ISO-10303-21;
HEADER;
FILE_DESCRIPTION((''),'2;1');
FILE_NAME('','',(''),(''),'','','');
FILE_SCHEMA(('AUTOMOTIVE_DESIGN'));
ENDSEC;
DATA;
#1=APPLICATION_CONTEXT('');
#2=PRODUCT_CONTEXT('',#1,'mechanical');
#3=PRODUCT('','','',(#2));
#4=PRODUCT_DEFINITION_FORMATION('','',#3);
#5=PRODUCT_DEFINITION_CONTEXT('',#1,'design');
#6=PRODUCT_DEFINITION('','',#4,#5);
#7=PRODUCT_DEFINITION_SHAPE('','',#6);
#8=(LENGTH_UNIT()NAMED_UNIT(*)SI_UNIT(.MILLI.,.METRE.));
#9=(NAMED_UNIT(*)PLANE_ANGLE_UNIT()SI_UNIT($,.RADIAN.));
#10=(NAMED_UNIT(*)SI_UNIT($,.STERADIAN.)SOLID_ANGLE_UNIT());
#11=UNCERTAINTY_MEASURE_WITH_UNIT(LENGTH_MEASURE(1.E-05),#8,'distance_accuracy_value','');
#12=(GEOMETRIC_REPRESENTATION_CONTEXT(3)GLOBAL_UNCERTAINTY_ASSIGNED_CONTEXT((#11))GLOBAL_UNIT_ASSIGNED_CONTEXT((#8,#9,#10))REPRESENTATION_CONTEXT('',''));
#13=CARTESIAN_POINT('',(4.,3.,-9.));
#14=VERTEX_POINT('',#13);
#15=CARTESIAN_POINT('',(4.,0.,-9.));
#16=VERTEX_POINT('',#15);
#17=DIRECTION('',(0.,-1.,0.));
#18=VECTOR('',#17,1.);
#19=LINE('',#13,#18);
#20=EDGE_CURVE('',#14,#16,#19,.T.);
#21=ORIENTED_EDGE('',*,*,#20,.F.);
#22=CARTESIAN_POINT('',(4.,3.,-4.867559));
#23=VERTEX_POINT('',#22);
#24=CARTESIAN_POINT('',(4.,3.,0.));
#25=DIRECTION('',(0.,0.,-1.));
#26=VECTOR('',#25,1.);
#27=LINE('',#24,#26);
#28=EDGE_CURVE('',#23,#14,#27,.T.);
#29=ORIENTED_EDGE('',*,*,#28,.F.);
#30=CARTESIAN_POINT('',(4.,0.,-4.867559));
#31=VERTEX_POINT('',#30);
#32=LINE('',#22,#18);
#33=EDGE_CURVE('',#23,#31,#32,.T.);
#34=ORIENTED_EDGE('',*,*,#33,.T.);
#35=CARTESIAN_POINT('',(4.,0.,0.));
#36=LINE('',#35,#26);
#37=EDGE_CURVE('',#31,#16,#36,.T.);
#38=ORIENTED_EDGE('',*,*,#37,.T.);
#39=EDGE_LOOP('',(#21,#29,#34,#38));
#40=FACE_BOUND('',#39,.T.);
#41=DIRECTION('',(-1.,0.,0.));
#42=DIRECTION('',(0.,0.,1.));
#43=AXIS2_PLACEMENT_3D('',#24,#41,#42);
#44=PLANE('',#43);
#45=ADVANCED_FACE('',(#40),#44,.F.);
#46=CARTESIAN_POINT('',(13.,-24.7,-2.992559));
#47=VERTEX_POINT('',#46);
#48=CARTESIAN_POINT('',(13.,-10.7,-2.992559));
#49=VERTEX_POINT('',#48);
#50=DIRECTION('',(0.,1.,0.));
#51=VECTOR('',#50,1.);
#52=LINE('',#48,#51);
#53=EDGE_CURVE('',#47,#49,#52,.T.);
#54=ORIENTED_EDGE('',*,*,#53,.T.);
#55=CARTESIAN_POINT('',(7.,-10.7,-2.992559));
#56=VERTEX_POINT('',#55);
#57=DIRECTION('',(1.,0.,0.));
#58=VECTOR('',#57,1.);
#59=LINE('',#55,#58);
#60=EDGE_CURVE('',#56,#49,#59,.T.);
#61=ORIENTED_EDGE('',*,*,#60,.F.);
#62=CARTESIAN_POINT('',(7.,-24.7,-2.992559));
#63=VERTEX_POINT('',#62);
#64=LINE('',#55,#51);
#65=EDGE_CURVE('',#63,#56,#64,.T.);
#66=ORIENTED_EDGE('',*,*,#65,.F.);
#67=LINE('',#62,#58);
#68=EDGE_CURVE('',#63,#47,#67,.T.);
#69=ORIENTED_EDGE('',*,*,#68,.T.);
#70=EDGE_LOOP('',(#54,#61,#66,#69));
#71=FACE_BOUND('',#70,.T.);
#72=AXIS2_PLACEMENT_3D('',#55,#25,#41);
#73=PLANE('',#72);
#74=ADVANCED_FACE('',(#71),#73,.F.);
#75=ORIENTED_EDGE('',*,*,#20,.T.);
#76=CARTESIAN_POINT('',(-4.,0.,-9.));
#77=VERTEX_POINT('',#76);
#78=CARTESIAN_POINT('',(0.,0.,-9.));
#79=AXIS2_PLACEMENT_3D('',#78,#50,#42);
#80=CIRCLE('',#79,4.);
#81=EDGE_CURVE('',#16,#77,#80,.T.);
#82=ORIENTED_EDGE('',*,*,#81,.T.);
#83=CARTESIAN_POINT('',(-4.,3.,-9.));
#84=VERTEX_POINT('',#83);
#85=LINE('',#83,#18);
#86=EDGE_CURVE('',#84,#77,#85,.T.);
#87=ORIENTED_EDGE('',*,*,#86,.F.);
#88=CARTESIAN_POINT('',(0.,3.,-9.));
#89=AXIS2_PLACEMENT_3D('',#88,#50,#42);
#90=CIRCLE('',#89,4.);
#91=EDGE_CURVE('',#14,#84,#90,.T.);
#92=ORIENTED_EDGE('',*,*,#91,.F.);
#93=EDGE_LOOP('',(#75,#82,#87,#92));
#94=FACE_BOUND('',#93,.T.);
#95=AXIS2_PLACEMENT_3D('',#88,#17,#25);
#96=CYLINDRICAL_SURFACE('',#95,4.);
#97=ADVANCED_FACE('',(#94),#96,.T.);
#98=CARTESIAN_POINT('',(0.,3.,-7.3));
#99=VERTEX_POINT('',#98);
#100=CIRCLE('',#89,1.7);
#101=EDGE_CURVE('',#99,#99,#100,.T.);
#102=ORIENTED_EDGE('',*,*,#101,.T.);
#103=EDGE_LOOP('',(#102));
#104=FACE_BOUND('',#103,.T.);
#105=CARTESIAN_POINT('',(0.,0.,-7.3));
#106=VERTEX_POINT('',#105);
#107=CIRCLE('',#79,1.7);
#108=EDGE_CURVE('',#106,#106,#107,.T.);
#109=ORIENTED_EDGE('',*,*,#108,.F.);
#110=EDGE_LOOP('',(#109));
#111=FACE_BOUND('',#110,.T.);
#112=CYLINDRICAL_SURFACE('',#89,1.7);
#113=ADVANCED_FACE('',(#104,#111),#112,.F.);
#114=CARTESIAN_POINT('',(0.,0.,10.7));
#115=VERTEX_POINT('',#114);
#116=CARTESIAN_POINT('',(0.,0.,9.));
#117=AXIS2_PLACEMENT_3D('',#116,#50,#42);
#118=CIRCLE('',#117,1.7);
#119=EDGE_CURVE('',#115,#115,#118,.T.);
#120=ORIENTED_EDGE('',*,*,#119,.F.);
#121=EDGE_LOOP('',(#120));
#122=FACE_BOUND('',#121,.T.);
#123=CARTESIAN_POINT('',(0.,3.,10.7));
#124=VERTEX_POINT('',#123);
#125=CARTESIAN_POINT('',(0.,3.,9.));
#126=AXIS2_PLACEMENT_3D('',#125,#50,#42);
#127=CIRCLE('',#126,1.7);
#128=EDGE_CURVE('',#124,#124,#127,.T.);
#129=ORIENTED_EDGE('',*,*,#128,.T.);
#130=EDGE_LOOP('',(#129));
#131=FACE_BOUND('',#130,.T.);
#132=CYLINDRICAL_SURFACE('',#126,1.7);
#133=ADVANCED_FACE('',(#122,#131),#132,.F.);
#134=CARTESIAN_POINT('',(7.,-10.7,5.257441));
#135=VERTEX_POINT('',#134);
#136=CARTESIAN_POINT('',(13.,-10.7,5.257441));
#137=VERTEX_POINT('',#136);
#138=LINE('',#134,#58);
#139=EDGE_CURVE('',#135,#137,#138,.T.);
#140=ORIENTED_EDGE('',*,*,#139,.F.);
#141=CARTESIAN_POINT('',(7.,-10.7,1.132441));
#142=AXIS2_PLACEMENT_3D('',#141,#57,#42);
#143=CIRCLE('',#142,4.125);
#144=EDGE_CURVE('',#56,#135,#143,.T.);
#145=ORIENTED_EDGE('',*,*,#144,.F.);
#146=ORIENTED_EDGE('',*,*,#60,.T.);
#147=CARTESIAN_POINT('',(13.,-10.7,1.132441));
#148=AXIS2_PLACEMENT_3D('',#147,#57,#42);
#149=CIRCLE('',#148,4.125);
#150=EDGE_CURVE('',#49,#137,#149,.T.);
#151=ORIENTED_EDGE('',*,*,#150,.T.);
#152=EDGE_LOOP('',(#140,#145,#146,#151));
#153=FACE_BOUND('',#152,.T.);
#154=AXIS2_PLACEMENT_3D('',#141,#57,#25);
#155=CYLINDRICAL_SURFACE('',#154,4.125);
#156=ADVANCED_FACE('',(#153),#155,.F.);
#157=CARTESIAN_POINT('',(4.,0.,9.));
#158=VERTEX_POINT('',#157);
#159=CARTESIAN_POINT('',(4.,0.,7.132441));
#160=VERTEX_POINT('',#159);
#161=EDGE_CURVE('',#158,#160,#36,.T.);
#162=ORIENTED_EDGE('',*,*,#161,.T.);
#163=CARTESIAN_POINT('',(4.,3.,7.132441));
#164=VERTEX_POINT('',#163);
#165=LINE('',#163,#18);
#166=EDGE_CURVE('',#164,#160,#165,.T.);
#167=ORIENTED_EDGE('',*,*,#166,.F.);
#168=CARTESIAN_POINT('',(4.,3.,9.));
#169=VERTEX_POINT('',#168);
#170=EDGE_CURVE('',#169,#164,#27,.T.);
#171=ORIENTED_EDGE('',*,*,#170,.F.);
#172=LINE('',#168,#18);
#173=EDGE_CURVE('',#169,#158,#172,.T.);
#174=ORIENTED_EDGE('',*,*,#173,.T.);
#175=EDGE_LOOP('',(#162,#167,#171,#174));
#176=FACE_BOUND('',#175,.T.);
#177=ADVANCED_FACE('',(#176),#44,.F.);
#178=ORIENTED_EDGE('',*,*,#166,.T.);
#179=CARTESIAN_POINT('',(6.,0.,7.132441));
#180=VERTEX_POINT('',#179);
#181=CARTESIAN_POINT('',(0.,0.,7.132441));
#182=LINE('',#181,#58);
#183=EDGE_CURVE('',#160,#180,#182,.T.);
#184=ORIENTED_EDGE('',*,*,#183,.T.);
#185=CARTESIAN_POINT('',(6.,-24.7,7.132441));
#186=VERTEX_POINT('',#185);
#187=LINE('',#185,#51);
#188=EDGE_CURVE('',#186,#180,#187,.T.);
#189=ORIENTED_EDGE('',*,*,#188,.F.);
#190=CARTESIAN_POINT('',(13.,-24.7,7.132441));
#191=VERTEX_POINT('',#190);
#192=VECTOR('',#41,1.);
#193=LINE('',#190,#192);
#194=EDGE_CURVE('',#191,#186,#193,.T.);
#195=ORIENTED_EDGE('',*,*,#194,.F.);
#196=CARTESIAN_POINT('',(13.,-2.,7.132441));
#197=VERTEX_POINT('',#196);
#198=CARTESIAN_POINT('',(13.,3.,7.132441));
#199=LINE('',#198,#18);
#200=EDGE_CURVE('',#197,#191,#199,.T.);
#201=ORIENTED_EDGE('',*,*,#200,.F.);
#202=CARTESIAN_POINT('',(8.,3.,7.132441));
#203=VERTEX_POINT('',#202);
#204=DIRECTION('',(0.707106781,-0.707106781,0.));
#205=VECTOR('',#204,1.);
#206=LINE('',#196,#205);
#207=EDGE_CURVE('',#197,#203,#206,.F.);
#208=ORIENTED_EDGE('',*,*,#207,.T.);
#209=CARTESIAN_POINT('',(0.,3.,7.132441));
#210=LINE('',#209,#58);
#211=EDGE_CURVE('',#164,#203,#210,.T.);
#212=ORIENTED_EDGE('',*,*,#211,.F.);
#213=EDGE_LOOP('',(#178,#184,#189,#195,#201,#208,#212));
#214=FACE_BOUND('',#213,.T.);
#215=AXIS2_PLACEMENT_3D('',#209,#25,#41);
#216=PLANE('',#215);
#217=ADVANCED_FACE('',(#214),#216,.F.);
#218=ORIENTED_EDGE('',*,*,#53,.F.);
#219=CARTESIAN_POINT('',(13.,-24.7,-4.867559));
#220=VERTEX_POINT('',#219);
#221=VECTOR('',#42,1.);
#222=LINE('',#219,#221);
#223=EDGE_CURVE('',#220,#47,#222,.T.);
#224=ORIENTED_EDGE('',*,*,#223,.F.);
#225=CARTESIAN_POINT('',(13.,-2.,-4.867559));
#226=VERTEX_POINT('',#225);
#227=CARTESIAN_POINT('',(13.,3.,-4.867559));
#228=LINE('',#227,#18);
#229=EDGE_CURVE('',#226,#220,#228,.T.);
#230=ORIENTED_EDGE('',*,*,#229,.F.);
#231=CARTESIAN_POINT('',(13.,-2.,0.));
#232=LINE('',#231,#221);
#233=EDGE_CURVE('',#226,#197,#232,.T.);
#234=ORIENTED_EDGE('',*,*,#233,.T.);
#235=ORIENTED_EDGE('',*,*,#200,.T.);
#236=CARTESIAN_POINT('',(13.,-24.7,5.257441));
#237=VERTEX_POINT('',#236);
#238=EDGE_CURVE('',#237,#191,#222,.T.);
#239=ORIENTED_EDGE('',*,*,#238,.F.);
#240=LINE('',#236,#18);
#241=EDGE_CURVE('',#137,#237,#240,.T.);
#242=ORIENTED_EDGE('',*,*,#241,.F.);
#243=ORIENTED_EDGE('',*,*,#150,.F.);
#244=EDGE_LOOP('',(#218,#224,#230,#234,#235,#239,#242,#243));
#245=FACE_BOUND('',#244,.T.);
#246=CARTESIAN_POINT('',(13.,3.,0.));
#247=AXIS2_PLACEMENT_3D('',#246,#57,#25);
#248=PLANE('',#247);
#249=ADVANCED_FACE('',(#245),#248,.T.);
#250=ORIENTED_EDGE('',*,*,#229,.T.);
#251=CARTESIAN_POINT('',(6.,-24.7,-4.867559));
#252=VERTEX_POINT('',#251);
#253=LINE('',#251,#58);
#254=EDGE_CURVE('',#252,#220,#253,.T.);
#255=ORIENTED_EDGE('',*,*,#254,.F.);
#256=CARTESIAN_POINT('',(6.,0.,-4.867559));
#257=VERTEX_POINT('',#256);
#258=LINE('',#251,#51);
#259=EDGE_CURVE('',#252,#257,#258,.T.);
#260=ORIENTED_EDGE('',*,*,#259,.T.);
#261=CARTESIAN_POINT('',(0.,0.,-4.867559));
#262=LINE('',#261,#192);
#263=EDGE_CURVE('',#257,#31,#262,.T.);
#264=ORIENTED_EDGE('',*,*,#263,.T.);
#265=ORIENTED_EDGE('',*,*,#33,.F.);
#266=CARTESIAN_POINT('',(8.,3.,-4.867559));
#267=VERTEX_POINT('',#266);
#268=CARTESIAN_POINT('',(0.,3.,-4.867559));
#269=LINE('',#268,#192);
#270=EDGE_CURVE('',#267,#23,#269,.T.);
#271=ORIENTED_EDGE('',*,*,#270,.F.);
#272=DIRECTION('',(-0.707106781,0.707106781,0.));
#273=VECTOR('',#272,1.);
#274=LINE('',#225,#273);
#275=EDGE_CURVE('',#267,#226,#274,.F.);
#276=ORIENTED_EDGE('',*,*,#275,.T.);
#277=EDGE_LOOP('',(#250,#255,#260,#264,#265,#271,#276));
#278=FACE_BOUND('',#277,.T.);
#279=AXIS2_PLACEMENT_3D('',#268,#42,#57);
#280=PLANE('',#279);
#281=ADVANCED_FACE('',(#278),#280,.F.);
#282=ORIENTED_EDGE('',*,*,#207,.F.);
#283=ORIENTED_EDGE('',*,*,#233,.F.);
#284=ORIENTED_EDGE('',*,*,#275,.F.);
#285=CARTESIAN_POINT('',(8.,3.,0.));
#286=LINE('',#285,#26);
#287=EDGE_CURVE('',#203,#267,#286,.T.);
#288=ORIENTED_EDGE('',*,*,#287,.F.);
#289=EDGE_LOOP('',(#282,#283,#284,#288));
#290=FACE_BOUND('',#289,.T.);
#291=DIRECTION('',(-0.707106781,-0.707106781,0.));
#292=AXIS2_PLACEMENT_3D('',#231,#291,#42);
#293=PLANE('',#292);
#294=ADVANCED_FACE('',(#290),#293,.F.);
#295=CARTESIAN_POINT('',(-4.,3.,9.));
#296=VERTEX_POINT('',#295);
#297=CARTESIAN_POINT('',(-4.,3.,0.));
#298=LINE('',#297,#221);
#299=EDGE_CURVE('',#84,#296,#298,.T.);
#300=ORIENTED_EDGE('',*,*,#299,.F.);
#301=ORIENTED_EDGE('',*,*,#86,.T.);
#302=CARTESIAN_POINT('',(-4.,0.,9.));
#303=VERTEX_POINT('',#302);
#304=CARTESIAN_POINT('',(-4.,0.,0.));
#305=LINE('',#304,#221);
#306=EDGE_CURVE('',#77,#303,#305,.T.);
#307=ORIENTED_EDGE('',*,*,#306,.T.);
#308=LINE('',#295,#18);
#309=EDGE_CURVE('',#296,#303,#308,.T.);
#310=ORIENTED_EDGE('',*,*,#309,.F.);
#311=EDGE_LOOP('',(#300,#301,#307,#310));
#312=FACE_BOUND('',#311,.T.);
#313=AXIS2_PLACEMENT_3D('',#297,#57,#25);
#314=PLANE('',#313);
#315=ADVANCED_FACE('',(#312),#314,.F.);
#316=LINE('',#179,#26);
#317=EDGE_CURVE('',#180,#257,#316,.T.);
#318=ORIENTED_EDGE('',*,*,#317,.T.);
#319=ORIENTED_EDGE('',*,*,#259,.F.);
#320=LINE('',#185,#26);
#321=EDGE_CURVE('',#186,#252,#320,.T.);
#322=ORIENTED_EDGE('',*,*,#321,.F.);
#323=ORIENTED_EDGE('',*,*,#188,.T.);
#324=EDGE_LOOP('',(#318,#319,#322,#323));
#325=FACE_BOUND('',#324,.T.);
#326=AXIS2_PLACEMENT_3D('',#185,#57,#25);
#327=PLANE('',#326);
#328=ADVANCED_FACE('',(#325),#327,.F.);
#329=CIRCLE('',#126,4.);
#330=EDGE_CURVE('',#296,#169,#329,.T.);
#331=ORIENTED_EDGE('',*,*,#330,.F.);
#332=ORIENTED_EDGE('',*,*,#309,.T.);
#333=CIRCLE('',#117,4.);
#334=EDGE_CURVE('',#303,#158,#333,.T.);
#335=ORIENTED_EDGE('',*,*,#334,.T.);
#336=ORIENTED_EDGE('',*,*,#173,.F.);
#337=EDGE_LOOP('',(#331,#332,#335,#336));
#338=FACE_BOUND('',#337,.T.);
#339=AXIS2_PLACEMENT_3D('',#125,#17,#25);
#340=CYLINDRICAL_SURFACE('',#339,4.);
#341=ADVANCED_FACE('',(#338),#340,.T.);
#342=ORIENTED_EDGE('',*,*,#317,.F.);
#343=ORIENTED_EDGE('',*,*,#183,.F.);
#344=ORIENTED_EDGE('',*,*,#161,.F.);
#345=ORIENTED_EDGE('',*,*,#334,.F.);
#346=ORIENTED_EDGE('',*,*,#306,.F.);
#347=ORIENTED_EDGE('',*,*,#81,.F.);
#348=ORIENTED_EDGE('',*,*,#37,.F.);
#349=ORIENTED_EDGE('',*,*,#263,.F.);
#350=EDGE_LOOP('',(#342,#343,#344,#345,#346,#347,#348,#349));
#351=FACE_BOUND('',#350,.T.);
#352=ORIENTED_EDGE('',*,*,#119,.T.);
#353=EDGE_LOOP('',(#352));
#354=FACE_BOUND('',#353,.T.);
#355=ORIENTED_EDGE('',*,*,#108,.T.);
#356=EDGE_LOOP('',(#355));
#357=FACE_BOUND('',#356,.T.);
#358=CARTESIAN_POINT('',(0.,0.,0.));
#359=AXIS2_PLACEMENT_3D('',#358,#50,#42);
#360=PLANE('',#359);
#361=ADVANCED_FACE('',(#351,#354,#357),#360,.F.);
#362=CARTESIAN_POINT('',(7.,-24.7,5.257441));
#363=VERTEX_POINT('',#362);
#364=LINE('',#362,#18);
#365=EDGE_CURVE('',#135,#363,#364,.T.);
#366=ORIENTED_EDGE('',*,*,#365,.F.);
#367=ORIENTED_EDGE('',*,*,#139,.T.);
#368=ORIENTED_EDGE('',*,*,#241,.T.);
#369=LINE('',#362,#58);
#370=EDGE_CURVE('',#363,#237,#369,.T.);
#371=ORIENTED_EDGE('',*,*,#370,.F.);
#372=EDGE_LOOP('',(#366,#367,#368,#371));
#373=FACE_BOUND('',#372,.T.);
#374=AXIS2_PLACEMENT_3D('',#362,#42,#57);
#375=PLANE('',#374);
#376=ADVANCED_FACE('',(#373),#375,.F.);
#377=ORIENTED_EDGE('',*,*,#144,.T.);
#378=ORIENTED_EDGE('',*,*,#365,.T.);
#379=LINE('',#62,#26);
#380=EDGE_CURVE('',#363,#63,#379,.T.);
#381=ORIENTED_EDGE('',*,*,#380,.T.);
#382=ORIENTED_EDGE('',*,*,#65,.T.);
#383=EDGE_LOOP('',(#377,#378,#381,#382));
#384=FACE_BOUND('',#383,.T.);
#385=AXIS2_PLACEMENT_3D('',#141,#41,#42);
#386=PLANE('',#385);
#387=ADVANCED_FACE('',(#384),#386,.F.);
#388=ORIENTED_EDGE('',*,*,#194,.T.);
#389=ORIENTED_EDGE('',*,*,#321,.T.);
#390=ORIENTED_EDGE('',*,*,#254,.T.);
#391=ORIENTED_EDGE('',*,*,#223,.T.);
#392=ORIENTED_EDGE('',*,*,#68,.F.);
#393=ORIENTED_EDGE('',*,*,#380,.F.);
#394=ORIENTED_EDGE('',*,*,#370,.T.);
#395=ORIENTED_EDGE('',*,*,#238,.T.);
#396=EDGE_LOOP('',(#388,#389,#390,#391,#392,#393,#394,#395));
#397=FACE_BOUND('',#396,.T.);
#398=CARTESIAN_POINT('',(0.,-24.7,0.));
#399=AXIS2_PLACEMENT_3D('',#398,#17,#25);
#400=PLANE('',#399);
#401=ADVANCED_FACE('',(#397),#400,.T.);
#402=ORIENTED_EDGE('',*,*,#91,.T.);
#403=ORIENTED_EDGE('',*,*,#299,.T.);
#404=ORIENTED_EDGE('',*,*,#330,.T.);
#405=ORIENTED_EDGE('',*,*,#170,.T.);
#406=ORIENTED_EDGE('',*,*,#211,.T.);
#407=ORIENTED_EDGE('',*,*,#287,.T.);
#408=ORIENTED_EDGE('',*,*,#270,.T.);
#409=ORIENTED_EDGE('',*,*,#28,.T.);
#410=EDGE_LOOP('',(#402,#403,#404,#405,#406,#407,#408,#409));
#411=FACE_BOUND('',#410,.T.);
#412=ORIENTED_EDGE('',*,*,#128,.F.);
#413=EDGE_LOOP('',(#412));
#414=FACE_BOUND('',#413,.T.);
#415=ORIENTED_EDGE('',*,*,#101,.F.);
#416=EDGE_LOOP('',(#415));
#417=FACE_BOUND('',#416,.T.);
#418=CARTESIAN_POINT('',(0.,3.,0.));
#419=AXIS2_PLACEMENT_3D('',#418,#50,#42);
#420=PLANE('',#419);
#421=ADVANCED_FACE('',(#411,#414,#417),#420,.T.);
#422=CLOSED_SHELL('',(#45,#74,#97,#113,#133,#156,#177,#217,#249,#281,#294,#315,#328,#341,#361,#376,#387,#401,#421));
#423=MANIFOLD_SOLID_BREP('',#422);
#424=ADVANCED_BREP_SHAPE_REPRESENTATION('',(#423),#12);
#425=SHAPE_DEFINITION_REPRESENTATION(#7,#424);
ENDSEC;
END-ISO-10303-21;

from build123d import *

# Parameters (mm, degrees)
BOSS_EXTRUDE1_DEPTH      = 3
M3_CLEARANCE_HOLE1_D     = 3.4
M3_CLEARANCE_HOLE1_DEPTH = 10
M3_CLEARANCE_HOLE1_TIP   = 1.021463052
SKETCH2_W                = 7
SKETCH2_H                = 12
BOSS_EXTRUDE2_DEPTH      = 24.7
CUT_EXTRUDE1_DEPTH       = 6
CHAMFER3_SIZE            = 5


with BuildPart() as part:
    # Sketch1 → Boss-Extrude1 (new body)
    with BuildSketch(Plane(origin=(0, 0, 0), x_dir=(1, 0, 0), z_dir=(0, 1, 0))):
        with BuildLine():
            ThreePointArc((-4, -9), (0, -13), (4, -9))
            Line((4, -9), (4, -7.132441433))
            Line((4, -7.132441433), (13, -7.132441433))
            Line((13, -7.132441433), (13, 4.867558567))
            Line((13, 4.867558567), (4, 4.867558567))
            Line((4, 4.867558567), (4, 9))
            ThreePointArc((4, 9), (0, 13), (-4, 9))
            Line((-4, 9), (-4, 4.867558567))
            Line((-4, 4.867558567), (-4, -9))
        make_face()
    extrude(amount=BOSS_EXTRUDE1_DEPTH)

    # M3 Clearance Hole1
    with Locations(Plane(origin=(0, 3, 0), x_dir=(1, 0, 0), z_dir=(0, 1, 0))):
        with Locations((0, -9), (0, 9)):
            Hole(M3_CLEARANCE_HOLE1_D / 2, depth=M3_CLEARANCE_HOLE1_DEPTH)
            with Locations((0, 0, -(M3_CLEARANCE_HOLE1_DEPTH + M3_CLEARANCE_HOLE1_TIP / 2))):  # 118° drill point
                Cone(0, M3_CLEARANCE_HOLE1_D / 2, M3_CLEARANCE_HOLE1_TIP, mode=Mode.SUBTRACT)

    # Sketch2 → Boss-Extrude2 (add)
    with BuildSketch(Plane.XZ):
        with Locations((9.5, 1.132441433)):
            Rectangle(SKETCH2_W, SKETCH2_H)
    extrude(amount=BOSS_EXTRUDE2_DEPTH)

    # Sketch3 → Cut-Extrude1 (cut)
    with BuildSketch(Plane(origin=(13, 0, 0), x_dir=(0, 0, -1), z_dir=(1, 0, 0))):
        with BuildLine():
            Line((2.992558567, -24.7), (-5.257441433, -24.7))
            Line((-5.257441433, -24.7), (-5.257441433, -10.7))
            ThreePointArc((-5.257441433, -10.7), (-1.132441433, -6.575), (2.992558567, -10.7))
            Line((2.992558567, -10.7), (2.992558567, -24.7))
        make_face()
    extrude(amount=-CUT_EXTRUDE1_DEPTH, mode=Mode.SUBTRACT)

    # Chamfer3
    chamfer3_edges = [part.edges().sort_by_distance(p)[0] for p in [
        (13, 3, 1.132441433),
    ]]
    chamfer(chamfer3_edges, length=CHAMFER3_SIZE)


solid = part.part
